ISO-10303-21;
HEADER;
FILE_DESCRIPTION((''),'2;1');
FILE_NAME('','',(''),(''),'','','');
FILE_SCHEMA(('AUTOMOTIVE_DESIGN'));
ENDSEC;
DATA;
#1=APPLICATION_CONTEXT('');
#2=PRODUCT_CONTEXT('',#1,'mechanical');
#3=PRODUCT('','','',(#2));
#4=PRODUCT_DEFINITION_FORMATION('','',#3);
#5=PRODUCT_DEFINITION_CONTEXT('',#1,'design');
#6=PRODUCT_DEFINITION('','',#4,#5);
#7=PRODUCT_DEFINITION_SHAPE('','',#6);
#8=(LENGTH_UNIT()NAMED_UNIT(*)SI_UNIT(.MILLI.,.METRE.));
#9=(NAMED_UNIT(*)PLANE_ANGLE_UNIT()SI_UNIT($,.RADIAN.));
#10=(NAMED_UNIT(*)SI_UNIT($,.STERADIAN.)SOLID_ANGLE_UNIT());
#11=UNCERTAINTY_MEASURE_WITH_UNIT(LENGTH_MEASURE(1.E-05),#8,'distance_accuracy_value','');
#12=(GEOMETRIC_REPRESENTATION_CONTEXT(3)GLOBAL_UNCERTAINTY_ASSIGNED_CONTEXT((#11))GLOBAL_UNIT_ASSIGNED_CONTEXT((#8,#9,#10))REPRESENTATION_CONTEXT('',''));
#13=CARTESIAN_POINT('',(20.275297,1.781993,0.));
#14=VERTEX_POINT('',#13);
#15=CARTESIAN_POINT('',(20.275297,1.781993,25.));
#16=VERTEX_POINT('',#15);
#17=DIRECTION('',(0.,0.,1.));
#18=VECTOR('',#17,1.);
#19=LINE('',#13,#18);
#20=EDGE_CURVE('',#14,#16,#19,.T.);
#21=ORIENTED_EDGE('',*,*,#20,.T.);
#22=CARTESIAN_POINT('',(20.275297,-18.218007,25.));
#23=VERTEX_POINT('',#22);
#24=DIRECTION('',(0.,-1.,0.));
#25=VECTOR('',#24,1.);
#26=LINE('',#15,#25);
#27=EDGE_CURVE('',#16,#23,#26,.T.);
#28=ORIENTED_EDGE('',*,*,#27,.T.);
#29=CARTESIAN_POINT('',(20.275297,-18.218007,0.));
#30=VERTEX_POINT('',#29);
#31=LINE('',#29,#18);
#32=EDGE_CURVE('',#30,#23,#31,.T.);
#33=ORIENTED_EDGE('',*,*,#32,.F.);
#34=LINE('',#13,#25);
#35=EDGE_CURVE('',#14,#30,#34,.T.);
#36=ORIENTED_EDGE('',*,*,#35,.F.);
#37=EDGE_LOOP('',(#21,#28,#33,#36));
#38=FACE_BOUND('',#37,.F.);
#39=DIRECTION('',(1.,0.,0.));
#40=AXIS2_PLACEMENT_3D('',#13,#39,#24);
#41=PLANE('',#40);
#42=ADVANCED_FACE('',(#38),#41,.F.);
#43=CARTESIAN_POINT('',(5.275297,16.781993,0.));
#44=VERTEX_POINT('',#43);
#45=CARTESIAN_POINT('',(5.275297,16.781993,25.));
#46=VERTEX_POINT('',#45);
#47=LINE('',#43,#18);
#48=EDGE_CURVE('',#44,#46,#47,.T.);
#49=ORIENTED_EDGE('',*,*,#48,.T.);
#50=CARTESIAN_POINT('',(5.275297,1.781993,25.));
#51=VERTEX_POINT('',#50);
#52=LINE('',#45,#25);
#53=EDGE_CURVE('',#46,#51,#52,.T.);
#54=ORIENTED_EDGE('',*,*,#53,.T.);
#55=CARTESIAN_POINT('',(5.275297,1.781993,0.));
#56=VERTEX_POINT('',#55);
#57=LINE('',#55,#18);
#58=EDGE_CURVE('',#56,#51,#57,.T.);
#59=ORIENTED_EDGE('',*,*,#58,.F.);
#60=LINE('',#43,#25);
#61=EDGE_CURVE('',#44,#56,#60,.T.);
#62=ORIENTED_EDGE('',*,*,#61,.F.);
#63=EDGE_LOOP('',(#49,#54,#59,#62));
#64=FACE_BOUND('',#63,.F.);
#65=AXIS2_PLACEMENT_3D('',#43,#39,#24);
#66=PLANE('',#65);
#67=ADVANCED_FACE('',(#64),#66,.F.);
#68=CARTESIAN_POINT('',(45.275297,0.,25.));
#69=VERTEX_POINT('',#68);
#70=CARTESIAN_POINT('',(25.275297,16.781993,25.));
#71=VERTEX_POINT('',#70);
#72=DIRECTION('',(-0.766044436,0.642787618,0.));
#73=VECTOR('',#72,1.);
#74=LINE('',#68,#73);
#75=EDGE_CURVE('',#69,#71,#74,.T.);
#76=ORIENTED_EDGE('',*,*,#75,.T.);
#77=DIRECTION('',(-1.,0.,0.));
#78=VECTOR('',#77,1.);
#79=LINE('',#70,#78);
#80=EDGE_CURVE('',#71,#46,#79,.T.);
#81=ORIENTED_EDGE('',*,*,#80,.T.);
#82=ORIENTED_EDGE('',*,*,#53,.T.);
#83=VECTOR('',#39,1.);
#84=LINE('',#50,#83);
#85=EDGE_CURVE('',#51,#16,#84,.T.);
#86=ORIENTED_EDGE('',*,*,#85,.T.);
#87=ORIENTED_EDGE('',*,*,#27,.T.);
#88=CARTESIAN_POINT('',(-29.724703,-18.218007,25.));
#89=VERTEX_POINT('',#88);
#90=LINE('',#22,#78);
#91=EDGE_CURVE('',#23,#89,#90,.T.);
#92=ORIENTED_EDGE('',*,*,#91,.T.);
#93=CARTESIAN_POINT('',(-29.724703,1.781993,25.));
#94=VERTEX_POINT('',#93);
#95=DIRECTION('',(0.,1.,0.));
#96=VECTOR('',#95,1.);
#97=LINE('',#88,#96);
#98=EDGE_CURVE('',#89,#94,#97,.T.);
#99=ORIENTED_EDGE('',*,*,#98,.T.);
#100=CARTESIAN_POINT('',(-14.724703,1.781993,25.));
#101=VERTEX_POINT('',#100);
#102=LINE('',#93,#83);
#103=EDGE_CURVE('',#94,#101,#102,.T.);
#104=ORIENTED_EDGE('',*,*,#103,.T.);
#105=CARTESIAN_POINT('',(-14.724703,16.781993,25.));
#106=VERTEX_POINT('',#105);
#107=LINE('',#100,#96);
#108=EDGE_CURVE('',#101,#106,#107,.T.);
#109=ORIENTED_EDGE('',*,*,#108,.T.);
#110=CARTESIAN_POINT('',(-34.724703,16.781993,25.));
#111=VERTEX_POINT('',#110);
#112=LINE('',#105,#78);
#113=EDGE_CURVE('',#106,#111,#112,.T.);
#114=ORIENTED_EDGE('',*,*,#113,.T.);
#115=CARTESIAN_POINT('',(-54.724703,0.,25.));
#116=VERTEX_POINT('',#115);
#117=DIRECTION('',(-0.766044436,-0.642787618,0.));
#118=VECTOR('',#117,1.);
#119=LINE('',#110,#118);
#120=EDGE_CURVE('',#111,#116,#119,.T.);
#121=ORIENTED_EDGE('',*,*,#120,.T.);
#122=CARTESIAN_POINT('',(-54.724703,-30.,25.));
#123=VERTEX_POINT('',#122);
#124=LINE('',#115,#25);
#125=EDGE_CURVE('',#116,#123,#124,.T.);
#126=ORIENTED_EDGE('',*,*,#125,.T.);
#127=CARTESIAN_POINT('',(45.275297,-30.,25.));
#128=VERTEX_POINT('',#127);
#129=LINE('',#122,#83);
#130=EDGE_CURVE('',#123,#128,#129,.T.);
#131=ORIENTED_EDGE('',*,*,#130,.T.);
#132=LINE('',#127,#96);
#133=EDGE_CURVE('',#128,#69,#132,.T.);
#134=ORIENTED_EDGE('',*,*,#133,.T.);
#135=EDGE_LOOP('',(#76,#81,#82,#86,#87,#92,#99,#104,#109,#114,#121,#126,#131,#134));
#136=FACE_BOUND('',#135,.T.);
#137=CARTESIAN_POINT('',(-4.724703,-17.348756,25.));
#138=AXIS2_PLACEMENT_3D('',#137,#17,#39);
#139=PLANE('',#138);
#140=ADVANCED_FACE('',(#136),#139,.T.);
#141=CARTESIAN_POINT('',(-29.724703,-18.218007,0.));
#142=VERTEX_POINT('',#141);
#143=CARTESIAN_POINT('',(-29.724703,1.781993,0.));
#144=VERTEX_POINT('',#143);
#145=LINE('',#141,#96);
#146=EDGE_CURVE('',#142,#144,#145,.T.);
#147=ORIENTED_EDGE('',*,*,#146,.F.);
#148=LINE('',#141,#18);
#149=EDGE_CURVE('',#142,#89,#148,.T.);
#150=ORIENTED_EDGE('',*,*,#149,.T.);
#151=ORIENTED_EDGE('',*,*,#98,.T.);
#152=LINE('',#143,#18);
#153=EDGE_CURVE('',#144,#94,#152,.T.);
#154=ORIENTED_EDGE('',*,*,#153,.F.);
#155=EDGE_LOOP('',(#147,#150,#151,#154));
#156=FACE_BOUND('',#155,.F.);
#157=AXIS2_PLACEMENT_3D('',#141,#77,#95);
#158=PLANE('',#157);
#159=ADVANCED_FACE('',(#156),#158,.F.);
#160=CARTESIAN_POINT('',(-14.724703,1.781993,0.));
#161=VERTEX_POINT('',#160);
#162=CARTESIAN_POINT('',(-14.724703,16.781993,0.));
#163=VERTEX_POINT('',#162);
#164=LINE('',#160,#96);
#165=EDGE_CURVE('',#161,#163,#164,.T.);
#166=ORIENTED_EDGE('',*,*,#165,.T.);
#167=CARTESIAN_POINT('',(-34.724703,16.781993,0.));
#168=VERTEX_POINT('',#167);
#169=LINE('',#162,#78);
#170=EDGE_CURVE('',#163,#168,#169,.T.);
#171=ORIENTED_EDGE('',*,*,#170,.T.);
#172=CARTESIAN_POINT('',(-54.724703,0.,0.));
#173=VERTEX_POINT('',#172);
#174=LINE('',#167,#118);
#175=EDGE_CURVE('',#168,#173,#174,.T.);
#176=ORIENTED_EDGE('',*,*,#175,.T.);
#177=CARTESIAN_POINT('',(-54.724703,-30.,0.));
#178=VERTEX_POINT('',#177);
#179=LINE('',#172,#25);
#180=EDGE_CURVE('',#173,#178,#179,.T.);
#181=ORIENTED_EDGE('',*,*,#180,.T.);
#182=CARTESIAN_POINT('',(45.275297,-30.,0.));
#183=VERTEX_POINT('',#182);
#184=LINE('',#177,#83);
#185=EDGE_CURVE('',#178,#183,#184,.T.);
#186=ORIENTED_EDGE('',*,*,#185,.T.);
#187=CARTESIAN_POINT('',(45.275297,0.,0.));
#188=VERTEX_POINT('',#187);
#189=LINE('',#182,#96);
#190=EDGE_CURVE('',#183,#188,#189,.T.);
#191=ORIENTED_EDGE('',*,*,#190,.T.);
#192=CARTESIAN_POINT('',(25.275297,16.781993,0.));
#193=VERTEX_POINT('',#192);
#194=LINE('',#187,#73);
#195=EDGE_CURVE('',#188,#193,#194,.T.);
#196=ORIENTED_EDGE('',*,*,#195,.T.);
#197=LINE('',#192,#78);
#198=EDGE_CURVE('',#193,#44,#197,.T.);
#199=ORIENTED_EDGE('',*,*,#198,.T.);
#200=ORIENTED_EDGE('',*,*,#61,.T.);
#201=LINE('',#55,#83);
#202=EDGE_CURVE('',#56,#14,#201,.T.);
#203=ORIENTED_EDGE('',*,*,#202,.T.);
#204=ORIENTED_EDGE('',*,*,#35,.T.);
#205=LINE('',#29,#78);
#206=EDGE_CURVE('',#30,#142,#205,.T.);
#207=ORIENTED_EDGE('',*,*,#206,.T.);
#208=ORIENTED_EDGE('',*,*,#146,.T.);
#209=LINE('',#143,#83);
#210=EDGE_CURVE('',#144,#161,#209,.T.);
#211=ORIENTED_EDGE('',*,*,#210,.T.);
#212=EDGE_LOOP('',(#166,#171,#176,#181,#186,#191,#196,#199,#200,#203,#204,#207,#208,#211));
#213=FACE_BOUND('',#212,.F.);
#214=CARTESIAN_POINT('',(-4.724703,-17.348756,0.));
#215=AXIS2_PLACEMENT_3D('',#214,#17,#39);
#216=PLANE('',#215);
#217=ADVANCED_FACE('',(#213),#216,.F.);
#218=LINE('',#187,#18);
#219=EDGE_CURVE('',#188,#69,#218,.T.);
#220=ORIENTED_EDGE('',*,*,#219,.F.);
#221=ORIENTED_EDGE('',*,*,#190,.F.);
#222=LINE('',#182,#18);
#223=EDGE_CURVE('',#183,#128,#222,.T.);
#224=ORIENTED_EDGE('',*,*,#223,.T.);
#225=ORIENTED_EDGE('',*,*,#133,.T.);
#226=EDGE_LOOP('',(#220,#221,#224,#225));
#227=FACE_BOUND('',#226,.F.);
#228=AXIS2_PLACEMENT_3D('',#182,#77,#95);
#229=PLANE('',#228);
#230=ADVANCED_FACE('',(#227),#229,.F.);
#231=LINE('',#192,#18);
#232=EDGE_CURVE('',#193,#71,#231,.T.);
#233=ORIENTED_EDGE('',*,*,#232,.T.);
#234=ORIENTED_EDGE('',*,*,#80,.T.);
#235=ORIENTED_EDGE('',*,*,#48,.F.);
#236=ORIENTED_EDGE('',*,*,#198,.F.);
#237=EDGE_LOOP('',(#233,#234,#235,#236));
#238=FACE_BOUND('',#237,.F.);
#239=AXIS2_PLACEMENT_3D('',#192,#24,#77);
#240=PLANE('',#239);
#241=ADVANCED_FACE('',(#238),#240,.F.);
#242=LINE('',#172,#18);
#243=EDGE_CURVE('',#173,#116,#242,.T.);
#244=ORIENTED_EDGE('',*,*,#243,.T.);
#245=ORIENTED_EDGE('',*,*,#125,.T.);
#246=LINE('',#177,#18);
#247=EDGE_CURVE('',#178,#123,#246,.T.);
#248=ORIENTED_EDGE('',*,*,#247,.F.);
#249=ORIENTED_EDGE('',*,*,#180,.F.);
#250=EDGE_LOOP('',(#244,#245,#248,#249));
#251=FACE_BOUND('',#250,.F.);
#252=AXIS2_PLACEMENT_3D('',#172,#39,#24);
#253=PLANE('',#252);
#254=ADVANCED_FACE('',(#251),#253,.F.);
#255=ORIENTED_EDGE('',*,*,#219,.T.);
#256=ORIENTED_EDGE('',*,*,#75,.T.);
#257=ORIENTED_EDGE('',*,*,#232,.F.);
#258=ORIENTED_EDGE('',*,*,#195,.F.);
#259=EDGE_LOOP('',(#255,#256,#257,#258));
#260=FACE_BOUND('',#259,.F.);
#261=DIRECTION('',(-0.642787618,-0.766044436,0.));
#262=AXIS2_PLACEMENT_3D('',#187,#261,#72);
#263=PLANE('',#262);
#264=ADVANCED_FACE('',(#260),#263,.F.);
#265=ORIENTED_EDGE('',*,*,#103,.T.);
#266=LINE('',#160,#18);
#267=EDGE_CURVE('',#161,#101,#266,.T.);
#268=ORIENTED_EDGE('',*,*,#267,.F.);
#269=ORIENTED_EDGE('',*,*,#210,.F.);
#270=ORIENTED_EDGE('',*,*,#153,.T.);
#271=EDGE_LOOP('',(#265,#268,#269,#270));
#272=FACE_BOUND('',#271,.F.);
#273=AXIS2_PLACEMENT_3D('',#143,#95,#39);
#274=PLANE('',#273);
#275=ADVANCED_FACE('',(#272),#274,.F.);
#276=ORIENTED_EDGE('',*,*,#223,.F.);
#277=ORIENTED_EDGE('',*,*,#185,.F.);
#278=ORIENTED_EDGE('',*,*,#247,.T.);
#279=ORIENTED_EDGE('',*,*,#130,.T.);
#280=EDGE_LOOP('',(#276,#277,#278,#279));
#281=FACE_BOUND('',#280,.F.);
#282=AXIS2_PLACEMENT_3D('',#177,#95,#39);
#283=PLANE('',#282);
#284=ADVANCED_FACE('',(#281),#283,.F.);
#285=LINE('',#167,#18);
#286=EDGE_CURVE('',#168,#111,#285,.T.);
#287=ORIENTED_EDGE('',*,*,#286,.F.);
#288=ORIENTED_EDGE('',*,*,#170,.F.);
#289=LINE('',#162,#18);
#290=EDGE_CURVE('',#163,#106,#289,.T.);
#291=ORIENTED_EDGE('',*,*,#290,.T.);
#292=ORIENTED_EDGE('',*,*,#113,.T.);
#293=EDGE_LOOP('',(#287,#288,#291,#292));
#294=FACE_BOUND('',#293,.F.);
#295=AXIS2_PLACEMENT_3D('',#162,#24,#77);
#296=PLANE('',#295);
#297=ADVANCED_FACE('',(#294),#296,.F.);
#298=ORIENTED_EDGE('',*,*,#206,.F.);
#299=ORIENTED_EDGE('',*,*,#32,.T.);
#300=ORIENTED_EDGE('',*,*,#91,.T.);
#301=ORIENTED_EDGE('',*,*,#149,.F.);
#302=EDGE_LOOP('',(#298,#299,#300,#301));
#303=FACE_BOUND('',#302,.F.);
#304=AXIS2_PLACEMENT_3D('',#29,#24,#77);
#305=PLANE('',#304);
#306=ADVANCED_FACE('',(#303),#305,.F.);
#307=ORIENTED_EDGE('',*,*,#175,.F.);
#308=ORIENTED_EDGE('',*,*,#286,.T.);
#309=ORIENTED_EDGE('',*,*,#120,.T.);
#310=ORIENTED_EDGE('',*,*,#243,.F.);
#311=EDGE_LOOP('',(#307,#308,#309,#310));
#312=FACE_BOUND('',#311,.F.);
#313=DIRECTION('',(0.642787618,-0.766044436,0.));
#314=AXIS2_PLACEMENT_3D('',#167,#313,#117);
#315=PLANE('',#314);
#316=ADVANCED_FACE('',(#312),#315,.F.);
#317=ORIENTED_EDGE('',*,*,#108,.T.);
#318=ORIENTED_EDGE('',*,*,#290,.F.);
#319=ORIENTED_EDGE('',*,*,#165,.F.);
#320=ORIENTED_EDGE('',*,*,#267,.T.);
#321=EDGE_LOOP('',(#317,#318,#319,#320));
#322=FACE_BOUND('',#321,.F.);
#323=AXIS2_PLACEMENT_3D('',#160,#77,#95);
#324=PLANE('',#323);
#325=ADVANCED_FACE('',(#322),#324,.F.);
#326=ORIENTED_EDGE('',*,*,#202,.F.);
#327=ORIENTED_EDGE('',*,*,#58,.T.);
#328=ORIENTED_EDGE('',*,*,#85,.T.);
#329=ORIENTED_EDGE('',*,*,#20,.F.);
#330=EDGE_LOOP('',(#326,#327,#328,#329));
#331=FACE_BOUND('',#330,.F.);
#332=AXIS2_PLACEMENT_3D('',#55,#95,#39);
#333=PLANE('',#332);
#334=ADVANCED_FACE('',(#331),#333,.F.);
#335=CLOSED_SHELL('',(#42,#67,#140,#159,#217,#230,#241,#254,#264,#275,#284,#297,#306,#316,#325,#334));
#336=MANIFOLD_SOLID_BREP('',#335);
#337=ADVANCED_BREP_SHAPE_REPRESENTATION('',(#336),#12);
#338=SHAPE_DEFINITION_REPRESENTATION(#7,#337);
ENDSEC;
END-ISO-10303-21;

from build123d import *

# Parameters (mm, degrees)
F1_DEPTH = 25


with BuildPart() as f1:
    # F0 (on Top) → F1 (new body)
    with BuildSketch(Plane.XY):
        Polygon((-54.724703, 0), (-54.724703, -30), (45.275297, -30), (45.275297, 0), (20.275297, 0), (20.275297, -18.218007), (-29.724703, -18.218007), (-29.724703, 0), align=None)
        Polygon((-34.724703, 16.781993), (-54.724703, 0), (-29.724703, 0), (-29.724703, 1.781993), (-14.724703, 1.781993), (-14.724703, 16.781993), align=None)
        Polygon((20.275297, 0), (45.275297, 0), (25.275297, 16.781993), (5.275297, 16.781993), (5.275297, 1.781993), (20.275297, 1.781993), align=None)
    extrude(amount=F1_DEPTH)


solid = f1.part
